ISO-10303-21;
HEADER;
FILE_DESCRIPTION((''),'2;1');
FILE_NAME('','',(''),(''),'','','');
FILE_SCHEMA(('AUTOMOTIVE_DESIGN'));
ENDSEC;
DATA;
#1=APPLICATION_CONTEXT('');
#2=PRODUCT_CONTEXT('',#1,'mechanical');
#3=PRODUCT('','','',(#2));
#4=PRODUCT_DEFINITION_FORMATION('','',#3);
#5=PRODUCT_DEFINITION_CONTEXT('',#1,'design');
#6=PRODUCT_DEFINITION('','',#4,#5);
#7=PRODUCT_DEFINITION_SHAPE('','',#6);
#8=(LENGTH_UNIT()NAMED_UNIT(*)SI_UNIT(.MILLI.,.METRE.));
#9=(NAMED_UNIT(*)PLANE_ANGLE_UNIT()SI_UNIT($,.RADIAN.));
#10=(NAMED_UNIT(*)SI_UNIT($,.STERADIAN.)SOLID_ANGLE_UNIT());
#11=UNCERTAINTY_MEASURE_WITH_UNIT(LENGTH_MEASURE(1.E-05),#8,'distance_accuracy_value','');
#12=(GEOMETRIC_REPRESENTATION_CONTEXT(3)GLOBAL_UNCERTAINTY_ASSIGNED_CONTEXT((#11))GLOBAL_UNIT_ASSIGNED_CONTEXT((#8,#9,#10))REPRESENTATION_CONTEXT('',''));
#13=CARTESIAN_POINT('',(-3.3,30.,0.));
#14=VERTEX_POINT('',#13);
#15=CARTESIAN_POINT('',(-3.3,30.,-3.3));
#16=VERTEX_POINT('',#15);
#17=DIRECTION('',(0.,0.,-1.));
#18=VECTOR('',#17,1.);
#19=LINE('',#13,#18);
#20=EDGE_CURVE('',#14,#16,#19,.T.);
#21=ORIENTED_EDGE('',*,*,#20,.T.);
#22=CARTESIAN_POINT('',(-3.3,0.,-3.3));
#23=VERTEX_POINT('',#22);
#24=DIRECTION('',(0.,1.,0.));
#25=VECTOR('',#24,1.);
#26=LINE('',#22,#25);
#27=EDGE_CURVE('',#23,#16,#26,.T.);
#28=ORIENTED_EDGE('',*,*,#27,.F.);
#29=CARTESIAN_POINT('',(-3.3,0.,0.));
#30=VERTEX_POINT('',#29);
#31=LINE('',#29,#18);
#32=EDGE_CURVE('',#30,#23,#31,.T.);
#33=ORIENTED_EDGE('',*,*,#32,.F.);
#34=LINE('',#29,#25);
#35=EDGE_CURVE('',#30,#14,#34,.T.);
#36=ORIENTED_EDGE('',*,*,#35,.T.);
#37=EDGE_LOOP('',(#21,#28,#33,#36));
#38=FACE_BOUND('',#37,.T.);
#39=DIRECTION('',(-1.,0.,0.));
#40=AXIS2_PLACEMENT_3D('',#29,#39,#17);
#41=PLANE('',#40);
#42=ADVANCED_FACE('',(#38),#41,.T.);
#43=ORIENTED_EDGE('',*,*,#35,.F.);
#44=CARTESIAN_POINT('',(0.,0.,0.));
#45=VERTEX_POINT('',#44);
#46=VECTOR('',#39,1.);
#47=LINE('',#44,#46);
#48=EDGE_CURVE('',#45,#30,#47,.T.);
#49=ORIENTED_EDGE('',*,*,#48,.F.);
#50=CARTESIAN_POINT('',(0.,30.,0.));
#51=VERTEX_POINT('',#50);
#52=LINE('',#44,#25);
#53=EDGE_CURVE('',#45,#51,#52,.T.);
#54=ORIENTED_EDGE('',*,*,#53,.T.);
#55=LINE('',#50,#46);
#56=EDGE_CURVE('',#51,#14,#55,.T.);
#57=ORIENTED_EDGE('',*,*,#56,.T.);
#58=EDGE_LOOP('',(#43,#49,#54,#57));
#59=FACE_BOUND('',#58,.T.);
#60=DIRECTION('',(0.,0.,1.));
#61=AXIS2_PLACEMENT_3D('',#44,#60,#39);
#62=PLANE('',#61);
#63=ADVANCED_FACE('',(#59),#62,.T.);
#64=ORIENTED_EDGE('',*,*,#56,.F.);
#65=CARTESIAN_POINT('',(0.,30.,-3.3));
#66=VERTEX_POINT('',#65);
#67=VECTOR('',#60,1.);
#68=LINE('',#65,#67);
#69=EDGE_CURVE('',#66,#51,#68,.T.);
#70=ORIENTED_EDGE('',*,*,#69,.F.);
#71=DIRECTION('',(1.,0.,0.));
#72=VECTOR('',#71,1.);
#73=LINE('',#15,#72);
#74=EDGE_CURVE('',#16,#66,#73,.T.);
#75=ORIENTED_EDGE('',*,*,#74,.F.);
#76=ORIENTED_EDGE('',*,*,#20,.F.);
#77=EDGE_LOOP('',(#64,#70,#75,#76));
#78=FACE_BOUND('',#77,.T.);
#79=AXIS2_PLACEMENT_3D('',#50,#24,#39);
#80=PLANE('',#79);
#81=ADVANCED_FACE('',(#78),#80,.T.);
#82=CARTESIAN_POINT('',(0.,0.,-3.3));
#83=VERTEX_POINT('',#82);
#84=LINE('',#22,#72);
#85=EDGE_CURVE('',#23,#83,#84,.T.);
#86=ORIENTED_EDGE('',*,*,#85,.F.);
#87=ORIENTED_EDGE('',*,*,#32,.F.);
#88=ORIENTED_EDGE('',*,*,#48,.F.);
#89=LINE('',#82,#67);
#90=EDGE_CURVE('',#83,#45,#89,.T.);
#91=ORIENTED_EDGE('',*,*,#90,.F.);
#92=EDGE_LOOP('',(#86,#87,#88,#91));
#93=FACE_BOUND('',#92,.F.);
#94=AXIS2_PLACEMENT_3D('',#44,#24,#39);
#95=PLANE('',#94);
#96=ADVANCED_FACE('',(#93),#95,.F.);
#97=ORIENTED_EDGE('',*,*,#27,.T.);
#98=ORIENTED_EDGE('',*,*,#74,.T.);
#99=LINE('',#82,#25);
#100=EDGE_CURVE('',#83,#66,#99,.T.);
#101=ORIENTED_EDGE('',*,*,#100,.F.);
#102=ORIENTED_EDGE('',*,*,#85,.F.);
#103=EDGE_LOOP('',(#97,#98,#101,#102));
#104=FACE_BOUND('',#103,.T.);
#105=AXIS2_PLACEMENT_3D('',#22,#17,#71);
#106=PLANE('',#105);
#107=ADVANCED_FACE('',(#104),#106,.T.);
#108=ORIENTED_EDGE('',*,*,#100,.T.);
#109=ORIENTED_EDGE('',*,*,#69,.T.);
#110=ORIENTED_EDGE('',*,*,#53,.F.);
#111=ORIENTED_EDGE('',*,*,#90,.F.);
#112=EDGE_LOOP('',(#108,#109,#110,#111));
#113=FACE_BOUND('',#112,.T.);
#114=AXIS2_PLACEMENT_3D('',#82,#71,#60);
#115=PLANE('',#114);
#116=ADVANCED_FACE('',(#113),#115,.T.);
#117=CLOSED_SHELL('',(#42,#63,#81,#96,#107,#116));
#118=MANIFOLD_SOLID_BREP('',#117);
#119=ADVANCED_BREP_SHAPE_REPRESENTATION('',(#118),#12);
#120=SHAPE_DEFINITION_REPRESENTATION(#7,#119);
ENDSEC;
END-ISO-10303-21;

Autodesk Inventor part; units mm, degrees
ref_plane "YZ Plane" through (0, 0, 0) normal (1, 0, 0) x (0, 1, 0)
ref_plane "XZ Plane" through (0, 0, 0) normal (0, 1, 0) x (-1, 0, 0)
ref_plane "XY Plane" through (0, 0, 0) normal (0, 0, 1) x (1, 0, 0)
sketch "Skizze1" plane through (0, 0, 0) normal (0, 1, 0) x (-1, 0, 0)
  line L0 (0, 0) -> (3.3, 0)
  line L1 (3.3, 0) -> (3.3, -3.3)
  line L2 (3.3, -3.3) -> (0, -3.3)
  line L3 (0, -3.3) -> (0, 0)
  dimension "d0" = 3.3
  dimension "d1" = 3.3
extrude "Extrusion1" add sketch "Skizze1" along normal blind 30
equation "\"Biegeradius\" = Stärke"
equation "\"BreiteBiegungsfreistellung\" = Stärke"
equation "\"TiefeBiegungsfreistellung\" = 0.5 * Stärke"
equation "\"GrößeEckenfreistellung\" = 4 * Stärke"
equation "\"MinimalRest\" = 2 * Stärke"
equation "\"Übergangsradius\" = Biegeradius"
equation "\"JacobiRadiusGröße\" = Biegeradius"
equation "\"Abstandsgröße\" = Stärke"
equation "\"Stärke\" = 0.5"
properties part number "V3_O5"
